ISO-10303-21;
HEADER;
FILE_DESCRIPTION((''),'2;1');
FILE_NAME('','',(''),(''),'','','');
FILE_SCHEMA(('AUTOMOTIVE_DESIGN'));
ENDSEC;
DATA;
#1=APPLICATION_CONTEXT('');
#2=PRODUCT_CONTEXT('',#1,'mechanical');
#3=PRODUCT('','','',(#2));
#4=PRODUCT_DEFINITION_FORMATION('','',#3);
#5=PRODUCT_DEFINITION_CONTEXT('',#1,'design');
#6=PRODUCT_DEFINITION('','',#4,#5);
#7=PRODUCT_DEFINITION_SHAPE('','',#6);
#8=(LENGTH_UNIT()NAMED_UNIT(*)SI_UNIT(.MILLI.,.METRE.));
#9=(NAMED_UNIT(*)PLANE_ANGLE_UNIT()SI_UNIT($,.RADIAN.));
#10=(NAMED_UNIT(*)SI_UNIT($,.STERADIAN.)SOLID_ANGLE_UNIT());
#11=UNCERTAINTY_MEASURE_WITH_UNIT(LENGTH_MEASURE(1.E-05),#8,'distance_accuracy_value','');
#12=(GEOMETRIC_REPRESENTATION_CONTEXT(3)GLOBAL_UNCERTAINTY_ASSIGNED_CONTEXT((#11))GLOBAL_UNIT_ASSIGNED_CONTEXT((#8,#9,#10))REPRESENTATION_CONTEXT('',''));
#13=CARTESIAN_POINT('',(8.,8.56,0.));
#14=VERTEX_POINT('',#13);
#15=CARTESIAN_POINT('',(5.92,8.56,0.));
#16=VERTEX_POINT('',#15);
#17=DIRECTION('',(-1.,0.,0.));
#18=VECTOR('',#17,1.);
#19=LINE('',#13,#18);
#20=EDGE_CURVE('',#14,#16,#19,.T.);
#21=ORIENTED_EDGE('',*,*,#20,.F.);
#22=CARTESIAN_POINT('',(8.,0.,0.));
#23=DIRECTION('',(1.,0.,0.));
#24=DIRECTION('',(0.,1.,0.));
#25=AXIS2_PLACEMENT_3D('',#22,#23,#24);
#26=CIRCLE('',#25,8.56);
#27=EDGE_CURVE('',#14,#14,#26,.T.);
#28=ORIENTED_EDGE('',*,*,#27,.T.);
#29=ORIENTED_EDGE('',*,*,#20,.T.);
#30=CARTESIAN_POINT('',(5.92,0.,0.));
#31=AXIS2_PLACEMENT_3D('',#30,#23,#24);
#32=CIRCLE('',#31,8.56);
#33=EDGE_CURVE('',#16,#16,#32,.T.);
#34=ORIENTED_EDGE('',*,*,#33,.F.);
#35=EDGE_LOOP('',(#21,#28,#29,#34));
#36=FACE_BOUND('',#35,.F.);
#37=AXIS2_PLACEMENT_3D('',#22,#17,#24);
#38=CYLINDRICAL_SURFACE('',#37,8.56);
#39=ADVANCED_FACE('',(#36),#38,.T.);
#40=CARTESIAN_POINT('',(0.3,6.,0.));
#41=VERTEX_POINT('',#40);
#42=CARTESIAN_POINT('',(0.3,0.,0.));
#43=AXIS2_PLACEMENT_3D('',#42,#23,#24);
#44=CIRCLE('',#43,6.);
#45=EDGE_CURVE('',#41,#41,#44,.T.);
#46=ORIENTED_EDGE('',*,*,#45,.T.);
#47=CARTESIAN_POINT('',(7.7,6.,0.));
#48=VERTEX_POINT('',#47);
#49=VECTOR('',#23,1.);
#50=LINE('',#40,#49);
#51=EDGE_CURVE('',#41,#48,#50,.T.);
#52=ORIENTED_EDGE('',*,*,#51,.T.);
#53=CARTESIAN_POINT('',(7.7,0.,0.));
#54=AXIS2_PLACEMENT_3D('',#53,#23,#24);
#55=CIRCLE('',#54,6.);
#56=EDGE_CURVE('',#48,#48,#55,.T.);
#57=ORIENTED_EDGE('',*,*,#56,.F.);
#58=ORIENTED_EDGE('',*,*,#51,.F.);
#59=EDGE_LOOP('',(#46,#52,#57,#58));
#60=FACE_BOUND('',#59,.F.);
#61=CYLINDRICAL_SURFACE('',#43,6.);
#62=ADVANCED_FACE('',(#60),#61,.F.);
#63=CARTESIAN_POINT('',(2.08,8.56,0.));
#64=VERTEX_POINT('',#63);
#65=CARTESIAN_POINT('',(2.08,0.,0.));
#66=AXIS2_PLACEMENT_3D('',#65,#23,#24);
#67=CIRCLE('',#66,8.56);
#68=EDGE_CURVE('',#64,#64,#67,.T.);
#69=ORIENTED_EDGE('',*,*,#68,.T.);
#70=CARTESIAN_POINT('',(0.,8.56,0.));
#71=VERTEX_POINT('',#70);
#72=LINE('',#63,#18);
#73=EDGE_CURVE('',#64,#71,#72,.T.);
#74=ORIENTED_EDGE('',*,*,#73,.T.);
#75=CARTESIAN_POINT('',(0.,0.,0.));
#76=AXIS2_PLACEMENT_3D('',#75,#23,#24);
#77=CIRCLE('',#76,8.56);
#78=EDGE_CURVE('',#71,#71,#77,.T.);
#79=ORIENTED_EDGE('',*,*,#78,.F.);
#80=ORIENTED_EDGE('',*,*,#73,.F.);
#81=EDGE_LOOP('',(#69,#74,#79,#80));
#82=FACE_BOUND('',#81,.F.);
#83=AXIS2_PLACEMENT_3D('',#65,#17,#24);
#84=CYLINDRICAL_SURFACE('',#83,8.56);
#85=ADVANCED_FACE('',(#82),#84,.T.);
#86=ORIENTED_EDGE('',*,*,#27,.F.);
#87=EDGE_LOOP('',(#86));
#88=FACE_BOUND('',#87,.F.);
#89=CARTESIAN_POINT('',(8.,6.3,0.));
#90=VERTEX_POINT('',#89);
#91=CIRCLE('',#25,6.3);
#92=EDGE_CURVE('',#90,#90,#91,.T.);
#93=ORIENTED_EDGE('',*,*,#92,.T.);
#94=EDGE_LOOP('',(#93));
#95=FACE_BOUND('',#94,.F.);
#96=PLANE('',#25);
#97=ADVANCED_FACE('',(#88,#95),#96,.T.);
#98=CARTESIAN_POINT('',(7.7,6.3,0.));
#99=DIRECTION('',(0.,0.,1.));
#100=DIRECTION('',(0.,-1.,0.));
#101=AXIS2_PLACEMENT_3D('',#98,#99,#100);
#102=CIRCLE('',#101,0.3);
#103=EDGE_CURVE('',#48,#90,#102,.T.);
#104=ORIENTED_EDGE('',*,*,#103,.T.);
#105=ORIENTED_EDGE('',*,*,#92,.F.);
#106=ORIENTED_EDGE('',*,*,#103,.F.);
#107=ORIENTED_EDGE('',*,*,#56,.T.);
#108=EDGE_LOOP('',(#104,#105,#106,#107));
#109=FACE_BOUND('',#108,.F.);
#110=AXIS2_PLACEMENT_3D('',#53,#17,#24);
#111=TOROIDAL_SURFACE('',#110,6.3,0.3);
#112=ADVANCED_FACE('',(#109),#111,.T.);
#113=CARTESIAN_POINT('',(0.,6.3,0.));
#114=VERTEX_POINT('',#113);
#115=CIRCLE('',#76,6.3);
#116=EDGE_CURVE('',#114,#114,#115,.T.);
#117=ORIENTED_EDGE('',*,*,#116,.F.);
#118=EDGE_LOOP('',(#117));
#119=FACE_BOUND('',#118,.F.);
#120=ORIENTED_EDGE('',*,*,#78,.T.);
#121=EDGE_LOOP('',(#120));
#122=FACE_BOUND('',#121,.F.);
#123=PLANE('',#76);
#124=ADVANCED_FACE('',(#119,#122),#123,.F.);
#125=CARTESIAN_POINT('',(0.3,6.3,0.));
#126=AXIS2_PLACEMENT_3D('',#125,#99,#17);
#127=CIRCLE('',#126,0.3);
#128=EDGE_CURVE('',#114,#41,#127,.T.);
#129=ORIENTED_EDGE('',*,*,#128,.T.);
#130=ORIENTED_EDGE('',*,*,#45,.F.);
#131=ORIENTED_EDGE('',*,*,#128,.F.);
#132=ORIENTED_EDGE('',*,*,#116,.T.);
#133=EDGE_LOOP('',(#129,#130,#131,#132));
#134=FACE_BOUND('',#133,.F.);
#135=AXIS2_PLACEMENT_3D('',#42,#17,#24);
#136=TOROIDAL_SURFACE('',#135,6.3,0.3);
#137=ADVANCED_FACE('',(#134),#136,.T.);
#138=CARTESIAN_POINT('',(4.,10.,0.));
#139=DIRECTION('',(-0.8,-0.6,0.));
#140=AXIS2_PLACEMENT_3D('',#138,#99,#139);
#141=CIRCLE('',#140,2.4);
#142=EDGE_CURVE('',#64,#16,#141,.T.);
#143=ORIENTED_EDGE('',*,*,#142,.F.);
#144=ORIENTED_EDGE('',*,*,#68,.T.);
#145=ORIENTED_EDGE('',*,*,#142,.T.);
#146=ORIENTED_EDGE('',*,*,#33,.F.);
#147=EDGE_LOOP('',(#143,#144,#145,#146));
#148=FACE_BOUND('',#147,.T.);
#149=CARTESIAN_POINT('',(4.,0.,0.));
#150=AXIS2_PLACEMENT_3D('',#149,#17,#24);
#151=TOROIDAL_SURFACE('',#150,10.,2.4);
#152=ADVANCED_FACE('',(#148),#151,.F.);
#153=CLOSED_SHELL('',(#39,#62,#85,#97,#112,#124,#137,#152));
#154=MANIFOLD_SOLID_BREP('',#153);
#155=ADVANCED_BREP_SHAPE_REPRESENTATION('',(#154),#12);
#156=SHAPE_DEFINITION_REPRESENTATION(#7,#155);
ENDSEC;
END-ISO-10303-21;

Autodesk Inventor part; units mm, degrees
sketch "Sketch_1" plane through (0, 0, 0) normal (0, 0, 1) x (1, 0, 0)
  line L0 (8, 0) -> (0, 0)
  arc A0 (0, 6.3) -> (0.3, 6) centre (0.3, 6.3) ccw
  line L1 (0.3, 6) -> (7.7, 6)
  arc A1 (7.7, 6) -> (8, 6.3) centre (7.7, 6.3) ccw
  line L2 (8, 6.3) -> (8, 8.56)
  line L3 (8, 8.56) -> (5.92, 8.56)
  arc A2 (2.08, 8.56) -> (5.92, 8.56) centre (4, 10) ccw
  line L4 (2.08, 8.56) -> (0, 8.56)
  line L5 (0, 8.56) -> (0, 6.3)
revolve "Revolution1" add sketch "Sketch_1" angle 360 about axis through (8, 0, 0) along (1, 0, 0)
ref_plane "dgbb_ir_XY" through (0, 0, 0) normal (1, 0, 0) x (0, 0, -1)
ref_plane "dgbb_ir_YZ" through (0, 0, 0) normal (0, 0, -1) x (0, 1, 0)
ref_plane "dgbb_ir_ZX" through (0, 0, 0) normal (0, 1, 0) x (1, 0, 0)
properties part number "6001JRX Inner Ring"
